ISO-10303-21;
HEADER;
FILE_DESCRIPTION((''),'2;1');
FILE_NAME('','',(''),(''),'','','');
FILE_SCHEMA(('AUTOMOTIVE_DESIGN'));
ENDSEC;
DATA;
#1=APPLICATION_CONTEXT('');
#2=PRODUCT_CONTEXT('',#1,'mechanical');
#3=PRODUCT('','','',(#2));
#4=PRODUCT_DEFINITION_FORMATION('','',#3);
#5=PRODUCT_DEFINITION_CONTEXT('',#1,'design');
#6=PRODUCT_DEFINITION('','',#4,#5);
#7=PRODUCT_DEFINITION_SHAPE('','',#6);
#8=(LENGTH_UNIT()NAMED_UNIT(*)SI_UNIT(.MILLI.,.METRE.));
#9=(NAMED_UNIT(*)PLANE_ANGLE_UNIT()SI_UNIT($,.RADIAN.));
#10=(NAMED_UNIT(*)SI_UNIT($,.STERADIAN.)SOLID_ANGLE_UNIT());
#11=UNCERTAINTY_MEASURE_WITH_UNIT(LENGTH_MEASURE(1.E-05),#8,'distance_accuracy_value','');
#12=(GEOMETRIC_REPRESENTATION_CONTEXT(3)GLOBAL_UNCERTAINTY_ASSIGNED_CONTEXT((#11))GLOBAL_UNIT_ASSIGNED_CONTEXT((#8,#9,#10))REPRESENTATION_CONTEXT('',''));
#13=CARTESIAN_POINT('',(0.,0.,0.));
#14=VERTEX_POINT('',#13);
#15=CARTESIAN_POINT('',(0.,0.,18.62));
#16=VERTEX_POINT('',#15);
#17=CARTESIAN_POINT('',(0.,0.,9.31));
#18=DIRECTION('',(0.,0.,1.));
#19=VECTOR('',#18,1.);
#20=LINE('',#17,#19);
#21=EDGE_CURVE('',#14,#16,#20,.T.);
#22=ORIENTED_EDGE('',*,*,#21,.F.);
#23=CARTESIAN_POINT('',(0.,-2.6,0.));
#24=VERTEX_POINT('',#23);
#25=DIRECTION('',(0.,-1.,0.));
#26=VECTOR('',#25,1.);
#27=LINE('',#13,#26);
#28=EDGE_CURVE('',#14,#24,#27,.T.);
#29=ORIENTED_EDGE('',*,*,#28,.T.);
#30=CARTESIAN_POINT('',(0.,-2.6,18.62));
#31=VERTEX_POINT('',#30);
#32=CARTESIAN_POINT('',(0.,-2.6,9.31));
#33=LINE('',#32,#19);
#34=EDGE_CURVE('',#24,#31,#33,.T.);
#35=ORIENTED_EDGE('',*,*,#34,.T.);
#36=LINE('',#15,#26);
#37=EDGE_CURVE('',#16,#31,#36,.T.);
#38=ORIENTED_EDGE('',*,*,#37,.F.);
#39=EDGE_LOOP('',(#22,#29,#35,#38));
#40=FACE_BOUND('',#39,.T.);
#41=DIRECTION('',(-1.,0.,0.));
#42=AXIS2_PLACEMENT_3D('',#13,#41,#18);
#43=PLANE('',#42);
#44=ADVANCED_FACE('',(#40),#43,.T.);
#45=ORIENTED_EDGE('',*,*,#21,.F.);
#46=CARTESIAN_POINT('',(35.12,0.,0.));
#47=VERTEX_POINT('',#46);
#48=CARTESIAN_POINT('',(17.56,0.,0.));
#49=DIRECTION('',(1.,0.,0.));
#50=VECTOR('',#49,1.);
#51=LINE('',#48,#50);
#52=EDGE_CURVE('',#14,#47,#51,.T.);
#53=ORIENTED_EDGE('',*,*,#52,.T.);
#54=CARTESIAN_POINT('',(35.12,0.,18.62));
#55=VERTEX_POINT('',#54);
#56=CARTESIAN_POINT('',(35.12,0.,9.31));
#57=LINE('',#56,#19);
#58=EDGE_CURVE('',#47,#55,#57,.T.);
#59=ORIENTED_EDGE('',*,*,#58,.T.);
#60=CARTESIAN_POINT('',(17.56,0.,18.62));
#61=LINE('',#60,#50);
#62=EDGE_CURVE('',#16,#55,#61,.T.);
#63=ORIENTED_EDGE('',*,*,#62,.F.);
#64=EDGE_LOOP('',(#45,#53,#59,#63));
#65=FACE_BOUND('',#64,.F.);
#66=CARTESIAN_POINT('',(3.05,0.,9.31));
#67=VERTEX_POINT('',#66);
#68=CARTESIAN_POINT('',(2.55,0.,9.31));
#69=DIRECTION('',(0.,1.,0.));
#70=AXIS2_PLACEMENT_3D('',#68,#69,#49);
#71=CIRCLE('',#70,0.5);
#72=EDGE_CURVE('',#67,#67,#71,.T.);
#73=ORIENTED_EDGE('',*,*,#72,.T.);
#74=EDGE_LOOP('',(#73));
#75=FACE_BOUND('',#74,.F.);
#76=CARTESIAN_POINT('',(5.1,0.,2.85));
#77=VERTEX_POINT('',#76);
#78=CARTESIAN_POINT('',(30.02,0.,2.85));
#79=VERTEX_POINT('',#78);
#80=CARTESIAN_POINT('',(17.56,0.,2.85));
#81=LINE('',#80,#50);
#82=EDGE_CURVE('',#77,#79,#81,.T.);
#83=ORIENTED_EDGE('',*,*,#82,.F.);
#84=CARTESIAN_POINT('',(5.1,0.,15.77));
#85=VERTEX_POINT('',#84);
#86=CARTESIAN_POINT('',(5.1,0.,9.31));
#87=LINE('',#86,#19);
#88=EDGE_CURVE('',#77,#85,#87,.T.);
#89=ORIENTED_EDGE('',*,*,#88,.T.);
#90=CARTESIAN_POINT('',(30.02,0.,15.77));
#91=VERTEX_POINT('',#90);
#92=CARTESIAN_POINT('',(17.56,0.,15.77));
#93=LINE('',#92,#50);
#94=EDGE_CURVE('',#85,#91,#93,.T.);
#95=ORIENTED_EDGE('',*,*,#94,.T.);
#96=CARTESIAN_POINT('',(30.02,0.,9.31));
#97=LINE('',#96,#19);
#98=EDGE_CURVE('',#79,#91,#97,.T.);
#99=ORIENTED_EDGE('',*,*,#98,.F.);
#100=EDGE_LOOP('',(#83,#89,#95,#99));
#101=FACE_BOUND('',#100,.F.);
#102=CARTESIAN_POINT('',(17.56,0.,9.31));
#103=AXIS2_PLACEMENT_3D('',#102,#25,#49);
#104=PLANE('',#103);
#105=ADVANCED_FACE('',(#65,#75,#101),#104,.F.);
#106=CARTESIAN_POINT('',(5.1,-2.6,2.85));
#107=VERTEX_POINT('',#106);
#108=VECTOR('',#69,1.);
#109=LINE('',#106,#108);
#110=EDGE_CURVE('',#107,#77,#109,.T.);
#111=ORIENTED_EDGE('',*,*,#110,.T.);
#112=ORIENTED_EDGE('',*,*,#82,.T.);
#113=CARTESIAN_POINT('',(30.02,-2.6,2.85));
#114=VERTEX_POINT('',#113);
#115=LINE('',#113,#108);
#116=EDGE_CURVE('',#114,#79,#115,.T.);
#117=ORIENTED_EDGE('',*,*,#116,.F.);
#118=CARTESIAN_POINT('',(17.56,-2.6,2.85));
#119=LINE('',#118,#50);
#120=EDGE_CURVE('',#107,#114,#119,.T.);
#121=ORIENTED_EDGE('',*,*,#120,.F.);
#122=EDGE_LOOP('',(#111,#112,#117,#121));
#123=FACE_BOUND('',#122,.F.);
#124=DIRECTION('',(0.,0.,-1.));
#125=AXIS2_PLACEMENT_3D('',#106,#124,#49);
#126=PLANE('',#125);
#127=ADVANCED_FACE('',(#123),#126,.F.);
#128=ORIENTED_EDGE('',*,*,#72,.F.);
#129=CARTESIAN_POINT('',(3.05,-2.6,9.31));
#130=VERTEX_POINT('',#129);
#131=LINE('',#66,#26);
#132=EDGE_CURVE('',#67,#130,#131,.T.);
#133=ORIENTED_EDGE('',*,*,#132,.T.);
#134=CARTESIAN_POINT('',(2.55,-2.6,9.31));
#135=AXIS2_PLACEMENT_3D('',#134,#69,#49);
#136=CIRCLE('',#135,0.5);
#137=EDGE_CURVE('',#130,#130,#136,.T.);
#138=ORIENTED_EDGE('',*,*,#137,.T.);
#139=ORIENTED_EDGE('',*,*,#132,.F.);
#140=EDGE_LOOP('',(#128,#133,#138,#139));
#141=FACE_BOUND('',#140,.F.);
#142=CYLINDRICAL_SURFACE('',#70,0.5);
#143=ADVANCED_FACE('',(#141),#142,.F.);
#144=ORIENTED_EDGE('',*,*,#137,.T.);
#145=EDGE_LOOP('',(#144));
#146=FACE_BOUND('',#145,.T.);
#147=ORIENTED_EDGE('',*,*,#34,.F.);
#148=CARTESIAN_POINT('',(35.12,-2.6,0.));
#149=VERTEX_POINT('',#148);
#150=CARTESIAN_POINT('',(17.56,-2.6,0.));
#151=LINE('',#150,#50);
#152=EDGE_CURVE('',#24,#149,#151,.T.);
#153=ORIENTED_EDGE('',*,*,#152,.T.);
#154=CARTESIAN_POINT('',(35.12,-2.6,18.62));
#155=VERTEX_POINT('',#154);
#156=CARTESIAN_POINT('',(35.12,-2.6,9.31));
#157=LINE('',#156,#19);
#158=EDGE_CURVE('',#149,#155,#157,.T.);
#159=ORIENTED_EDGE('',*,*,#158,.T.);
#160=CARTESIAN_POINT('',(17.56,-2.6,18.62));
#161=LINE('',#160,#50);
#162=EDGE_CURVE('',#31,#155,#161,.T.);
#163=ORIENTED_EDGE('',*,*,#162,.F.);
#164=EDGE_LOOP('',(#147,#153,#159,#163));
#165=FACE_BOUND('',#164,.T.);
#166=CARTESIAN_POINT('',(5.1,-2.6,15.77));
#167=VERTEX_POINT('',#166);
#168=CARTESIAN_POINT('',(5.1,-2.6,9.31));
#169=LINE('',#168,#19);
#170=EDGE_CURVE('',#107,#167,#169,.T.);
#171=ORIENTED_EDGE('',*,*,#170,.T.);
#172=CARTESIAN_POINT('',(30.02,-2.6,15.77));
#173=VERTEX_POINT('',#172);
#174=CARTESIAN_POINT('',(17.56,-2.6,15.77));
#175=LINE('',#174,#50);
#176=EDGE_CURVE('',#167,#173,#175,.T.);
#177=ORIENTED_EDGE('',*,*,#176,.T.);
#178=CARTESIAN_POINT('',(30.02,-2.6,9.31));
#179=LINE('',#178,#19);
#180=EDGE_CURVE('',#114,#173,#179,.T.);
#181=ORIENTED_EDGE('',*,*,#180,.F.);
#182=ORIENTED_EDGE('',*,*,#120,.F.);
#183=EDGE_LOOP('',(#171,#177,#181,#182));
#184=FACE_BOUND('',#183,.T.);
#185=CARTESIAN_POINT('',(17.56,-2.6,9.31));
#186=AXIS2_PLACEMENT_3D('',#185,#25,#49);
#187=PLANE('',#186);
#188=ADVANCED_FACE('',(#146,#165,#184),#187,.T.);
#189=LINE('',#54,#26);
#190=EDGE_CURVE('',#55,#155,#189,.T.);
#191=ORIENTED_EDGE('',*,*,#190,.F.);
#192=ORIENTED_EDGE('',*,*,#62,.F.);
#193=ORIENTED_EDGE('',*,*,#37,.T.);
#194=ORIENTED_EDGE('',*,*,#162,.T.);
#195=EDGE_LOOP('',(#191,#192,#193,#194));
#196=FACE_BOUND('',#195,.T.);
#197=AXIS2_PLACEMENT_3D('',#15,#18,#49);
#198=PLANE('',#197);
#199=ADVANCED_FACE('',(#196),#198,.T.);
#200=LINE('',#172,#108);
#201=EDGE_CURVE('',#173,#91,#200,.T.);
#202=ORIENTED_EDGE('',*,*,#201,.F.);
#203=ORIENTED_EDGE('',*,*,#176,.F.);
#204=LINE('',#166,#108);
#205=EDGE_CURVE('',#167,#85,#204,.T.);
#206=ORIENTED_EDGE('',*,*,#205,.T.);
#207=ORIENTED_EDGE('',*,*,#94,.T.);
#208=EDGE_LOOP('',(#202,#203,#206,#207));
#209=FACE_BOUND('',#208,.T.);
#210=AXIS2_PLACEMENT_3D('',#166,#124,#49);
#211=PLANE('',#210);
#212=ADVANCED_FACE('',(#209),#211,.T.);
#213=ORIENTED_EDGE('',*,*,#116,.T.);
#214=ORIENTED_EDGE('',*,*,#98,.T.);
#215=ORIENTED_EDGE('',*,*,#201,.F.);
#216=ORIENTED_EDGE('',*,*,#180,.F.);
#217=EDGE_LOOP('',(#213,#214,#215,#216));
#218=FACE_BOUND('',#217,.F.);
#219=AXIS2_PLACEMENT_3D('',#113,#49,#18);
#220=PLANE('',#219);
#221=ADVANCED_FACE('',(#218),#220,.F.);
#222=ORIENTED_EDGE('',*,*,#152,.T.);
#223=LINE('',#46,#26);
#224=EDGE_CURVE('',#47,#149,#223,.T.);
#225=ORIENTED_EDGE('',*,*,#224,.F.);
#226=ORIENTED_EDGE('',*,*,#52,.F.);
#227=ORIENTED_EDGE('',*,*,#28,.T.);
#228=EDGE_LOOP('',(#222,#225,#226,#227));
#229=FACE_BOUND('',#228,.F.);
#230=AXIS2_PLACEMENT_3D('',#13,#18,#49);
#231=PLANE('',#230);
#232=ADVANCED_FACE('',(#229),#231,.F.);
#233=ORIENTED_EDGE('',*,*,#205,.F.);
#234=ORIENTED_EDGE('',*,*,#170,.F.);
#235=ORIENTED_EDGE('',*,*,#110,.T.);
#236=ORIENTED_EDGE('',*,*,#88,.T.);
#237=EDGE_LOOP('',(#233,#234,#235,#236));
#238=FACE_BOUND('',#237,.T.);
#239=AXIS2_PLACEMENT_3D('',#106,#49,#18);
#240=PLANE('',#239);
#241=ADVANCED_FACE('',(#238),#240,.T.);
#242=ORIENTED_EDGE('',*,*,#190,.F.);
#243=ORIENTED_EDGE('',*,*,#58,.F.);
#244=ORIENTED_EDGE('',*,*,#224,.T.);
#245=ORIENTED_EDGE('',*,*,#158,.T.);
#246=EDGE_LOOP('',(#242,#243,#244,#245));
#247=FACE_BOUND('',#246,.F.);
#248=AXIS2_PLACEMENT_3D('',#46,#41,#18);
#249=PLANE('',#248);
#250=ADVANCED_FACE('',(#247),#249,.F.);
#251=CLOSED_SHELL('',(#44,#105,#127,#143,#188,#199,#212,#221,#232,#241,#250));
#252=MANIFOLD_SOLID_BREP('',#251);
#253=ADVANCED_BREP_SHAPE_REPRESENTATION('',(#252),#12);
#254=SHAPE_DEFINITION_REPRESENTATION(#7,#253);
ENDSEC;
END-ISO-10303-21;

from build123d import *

# Parameters (mm, degrees)
SKETCH_W        = 35.12
SKETCH_H        = 18.62
PAD_DEPTH       = 2.6
SKETCH002_W     = 24.92
SKETCH002_H     = 12.92
POCKET_DEPTH    = 2.6
SKETCH003_W     = 2.01
SKETCH003_H     = 3.5
SKETCH003_R     = 0.5
POCKET001_DEPTH = 5


with BuildPart() as part:
    # Sketch → Pad (new body)
    with BuildSketch(Plane.XZ):
        with Locations((17.56, 9.31)):
            Rectangle(SKETCH_W, SKETCH_H)
    extrude(amount=PAD_DEPTH)

    # Sketch002 (on Face6 of Pad) → Pocket (cut)
    with BuildSketch(Plane.XZ.offset(2.6)):
        with Locations((17.56, 9.31)):
            Rectangle(SKETCH002_W, SKETCH002_H)
    extrude(amount=-POCKET_DEPTH, mode=Mode.SUBTRACT)

    # Sketch003 (on Face4 of Pocket) → Pocket001 (cut)
    with BuildSketch(Plane(origin=(0, 0, 0), x_dir=(1, 0, 0), z_dir=(0, 1, 0))):
        with Locations((27.953742, -8.544061)):
            Rectangle(SKETCH003_W, SKETCH003_H)
        with Locations((2.55, -9.31)):
            Circle(SKETCH003_R)
    extrude(amount=-POCKET001_DEPTH, mode=Mode.SUBTRACT)


solid = part.part
